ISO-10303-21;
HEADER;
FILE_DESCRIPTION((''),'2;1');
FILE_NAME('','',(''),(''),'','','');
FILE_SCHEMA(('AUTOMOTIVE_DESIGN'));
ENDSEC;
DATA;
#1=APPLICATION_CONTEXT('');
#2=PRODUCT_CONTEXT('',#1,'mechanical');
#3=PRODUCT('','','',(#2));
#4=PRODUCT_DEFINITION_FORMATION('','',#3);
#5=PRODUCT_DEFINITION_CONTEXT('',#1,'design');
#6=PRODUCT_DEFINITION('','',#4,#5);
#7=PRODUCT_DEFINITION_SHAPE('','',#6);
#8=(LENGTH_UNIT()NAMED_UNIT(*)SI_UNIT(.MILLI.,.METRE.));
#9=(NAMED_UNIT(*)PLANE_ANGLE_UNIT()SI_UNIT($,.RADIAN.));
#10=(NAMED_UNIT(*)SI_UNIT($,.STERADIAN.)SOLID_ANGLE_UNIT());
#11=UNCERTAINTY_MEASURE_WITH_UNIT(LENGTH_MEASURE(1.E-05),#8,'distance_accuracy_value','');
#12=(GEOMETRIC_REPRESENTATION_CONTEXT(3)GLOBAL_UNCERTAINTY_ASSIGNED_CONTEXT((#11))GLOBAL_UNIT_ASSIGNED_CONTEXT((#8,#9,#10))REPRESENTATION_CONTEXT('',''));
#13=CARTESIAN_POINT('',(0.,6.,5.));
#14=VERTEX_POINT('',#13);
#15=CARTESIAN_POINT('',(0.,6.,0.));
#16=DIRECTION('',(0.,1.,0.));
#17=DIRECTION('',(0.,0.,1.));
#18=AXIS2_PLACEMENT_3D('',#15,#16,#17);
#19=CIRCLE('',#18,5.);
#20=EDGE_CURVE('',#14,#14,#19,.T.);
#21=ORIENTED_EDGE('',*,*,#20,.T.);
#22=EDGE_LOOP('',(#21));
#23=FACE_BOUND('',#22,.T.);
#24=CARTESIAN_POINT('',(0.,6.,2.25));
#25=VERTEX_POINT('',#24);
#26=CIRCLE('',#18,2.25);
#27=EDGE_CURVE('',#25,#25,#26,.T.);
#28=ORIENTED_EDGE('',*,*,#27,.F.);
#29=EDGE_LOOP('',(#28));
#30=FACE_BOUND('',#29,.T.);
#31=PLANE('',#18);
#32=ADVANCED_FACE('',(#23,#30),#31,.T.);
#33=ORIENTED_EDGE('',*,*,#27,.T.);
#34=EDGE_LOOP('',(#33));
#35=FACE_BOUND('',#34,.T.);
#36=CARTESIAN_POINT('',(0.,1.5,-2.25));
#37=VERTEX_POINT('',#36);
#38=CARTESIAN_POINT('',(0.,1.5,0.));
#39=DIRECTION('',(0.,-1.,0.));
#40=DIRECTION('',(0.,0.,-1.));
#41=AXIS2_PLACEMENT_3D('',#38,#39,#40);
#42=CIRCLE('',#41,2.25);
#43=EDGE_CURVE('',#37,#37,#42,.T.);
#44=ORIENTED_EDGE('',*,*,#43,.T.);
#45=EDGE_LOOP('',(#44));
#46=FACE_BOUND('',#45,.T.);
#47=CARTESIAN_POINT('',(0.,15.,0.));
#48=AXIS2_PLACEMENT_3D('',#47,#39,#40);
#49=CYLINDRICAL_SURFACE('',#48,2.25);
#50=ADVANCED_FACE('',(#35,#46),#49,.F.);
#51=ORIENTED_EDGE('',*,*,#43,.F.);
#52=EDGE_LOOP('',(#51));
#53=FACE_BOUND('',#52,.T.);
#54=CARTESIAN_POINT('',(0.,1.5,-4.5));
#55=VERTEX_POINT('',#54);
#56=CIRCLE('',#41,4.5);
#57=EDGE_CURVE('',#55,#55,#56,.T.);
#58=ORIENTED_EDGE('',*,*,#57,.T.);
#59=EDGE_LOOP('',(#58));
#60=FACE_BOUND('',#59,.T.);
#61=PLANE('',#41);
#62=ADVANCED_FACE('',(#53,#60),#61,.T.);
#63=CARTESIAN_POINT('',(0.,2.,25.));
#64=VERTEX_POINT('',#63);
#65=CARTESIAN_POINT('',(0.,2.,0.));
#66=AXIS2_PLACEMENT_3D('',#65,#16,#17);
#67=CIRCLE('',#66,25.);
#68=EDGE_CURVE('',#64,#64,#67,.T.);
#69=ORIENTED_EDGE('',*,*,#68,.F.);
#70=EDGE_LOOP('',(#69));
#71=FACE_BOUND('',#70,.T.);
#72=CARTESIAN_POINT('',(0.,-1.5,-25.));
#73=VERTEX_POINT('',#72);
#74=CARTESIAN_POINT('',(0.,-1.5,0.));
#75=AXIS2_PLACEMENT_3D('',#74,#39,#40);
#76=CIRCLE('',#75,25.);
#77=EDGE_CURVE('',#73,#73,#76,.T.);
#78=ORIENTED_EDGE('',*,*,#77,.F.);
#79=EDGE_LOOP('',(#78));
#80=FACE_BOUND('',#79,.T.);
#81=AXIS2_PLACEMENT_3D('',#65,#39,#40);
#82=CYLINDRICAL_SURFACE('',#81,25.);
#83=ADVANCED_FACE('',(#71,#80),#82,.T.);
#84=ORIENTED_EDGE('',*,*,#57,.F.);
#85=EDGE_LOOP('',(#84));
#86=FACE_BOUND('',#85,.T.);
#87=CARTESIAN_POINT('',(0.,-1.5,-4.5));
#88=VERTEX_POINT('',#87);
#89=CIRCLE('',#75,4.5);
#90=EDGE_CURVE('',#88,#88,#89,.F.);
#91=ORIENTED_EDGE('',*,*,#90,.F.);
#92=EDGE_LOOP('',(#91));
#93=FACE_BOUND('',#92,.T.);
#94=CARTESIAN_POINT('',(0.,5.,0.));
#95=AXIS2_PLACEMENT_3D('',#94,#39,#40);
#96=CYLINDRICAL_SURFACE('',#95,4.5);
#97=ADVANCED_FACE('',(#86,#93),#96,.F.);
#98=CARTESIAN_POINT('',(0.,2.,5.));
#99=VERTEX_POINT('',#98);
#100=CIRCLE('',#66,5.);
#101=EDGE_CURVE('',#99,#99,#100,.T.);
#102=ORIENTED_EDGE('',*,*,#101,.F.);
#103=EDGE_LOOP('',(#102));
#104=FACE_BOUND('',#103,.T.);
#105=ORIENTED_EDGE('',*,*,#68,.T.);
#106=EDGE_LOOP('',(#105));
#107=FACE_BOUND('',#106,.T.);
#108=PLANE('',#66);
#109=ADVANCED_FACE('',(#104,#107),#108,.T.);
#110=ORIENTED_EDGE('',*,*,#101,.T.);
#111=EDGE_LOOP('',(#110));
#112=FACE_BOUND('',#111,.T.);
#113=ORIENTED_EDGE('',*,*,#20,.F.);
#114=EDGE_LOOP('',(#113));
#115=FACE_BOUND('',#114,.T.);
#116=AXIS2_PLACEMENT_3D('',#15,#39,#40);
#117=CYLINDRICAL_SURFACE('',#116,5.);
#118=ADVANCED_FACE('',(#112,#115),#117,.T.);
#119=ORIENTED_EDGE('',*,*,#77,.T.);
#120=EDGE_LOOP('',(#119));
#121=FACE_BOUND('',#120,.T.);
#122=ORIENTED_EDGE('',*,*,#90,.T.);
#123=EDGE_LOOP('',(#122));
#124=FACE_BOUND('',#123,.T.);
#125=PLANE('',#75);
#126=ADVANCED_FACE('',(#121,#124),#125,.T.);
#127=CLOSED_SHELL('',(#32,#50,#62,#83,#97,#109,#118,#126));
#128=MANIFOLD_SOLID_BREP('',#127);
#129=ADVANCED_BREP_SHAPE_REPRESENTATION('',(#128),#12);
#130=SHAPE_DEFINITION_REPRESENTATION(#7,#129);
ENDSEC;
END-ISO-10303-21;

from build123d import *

# Parameters (mm, degrees)
SKETCH1_R           = 25
BOSS_EXTRUDE1_DEPTH = 2
SKETCH2_R           = 5
BOSS_EXTRUDE2_DEPTH = 4
SKETCH3_R           = 2.1
CUT_EXTRUDE1_DEPTH  = 20
SKETCH4_R           = 4.5
CUT_EXTRUDE2_DEPTH  = 5
SKETCH5_R           = 2.25
CUT_EXTRUDE3_DEPTH  = 10
BOSS_EXTRUDE3_START = 1.5
SKETCH6_R           = 25
SKETCH6_R_2         = 4.5
BOSS_EXTRUDE3_DEPTH = 1.5
BOSS_EXTRUDE5_START = 3.5
SKETCH7_R           = 4.5
SKETCH7_R_2         = 2.25
BOSS_EXTRUDE5_DEPTH = 3.5


with BuildPart() as part:
    # Sketch1 → Boss-Extrude1 (new body)
    with BuildSketch(Plane(origin=(0, 0, 0), x_dir=(1, 0, 0), z_dir=(0, 1, 0))):
        with Locations(Location((0, 0, 0), (0, 0, 270))):
            Circle(SKETCH1_R)
    extrude(amount=BOSS_EXTRUDE1_DEPTH)

    # Sketch2 → Boss-Extrude2 (add)
    with BuildSketch(Plane(origin=(0, 2, 0), x_dir=(1, 0, 0), z_dir=(0, 1, 0))):
        with Locations(Location((0, 0, 0), (0, 0, 270))):
            Circle(SKETCH2_R)
    extrude(amount=BOSS_EXTRUDE2_DEPTH)

    # Sketch3 → Cut-Extrude1 (cut)
    with BuildSketch(Plane.XZ):
        with Locations(Location((0, 0, 0), (0, 0, 270))):
            Circle(SKETCH3_R)
    extrude(amount=-CUT_EXTRUDE1_DEPTH, mode=Mode.SUBTRACT)

    # Sketch4 → Cut-Extrude2 (cut)
    with BuildSketch(Plane.XZ):
        with Locations(Location((0, 0, 0), (0, 0, 270))):
            Circle(SKETCH4_R)
    extrude(amount=-CUT_EXTRUDE2_DEPTH, mode=Mode.SUBTRACT)

    # Sketch5 → Cut-Extrude3 (cut)
    with BuildSketch(Plane.XZ.offset(-5)):
        with Locations(Location((0, 0, 0), (0, 0, 270))):
            Circle(SKETCH5_R)
    extrude(amount=-CUT_EXTRUDE3_DEPTH, mode=Mode.SUBTRACT)

    # Sketch6 → Boss-Extrude3 (add)
    with BuildSketch(Plane.XZ.offset(BOSS_EXTRUDE3_START)):
        with Locations(Location((0, 0, 0), (0, 0, 270))):
            Circle(SKETCH6_R)
        with Locations(Location((0, 0, 0), (0, 0, 270))):
            Circle(SKETCH6_R_2, mode=Mode.SUBTRACT)
    extrude(amount=-BOSS_EXTRUDE3_DEPTH)

    # Sketch7 → Boss-Extrude5 (add)
    with BuildSketch(Plane.XZ.offset(-5).offset(BOSS_EXTRUDE5_START)):
        with Locations(Location((0, 0, 0), (0, 0, 270))):
            Circle(SKETCH7_R)
        with Locations(Location((0, 0, 0), (0, 0, 270))):
            Circle(SKETCH7_R_2, mode=Mode.SUBTRACT)
    extrude(amount=-BOSS_EXTRUDE5_DEPTH)


solid = part.part
